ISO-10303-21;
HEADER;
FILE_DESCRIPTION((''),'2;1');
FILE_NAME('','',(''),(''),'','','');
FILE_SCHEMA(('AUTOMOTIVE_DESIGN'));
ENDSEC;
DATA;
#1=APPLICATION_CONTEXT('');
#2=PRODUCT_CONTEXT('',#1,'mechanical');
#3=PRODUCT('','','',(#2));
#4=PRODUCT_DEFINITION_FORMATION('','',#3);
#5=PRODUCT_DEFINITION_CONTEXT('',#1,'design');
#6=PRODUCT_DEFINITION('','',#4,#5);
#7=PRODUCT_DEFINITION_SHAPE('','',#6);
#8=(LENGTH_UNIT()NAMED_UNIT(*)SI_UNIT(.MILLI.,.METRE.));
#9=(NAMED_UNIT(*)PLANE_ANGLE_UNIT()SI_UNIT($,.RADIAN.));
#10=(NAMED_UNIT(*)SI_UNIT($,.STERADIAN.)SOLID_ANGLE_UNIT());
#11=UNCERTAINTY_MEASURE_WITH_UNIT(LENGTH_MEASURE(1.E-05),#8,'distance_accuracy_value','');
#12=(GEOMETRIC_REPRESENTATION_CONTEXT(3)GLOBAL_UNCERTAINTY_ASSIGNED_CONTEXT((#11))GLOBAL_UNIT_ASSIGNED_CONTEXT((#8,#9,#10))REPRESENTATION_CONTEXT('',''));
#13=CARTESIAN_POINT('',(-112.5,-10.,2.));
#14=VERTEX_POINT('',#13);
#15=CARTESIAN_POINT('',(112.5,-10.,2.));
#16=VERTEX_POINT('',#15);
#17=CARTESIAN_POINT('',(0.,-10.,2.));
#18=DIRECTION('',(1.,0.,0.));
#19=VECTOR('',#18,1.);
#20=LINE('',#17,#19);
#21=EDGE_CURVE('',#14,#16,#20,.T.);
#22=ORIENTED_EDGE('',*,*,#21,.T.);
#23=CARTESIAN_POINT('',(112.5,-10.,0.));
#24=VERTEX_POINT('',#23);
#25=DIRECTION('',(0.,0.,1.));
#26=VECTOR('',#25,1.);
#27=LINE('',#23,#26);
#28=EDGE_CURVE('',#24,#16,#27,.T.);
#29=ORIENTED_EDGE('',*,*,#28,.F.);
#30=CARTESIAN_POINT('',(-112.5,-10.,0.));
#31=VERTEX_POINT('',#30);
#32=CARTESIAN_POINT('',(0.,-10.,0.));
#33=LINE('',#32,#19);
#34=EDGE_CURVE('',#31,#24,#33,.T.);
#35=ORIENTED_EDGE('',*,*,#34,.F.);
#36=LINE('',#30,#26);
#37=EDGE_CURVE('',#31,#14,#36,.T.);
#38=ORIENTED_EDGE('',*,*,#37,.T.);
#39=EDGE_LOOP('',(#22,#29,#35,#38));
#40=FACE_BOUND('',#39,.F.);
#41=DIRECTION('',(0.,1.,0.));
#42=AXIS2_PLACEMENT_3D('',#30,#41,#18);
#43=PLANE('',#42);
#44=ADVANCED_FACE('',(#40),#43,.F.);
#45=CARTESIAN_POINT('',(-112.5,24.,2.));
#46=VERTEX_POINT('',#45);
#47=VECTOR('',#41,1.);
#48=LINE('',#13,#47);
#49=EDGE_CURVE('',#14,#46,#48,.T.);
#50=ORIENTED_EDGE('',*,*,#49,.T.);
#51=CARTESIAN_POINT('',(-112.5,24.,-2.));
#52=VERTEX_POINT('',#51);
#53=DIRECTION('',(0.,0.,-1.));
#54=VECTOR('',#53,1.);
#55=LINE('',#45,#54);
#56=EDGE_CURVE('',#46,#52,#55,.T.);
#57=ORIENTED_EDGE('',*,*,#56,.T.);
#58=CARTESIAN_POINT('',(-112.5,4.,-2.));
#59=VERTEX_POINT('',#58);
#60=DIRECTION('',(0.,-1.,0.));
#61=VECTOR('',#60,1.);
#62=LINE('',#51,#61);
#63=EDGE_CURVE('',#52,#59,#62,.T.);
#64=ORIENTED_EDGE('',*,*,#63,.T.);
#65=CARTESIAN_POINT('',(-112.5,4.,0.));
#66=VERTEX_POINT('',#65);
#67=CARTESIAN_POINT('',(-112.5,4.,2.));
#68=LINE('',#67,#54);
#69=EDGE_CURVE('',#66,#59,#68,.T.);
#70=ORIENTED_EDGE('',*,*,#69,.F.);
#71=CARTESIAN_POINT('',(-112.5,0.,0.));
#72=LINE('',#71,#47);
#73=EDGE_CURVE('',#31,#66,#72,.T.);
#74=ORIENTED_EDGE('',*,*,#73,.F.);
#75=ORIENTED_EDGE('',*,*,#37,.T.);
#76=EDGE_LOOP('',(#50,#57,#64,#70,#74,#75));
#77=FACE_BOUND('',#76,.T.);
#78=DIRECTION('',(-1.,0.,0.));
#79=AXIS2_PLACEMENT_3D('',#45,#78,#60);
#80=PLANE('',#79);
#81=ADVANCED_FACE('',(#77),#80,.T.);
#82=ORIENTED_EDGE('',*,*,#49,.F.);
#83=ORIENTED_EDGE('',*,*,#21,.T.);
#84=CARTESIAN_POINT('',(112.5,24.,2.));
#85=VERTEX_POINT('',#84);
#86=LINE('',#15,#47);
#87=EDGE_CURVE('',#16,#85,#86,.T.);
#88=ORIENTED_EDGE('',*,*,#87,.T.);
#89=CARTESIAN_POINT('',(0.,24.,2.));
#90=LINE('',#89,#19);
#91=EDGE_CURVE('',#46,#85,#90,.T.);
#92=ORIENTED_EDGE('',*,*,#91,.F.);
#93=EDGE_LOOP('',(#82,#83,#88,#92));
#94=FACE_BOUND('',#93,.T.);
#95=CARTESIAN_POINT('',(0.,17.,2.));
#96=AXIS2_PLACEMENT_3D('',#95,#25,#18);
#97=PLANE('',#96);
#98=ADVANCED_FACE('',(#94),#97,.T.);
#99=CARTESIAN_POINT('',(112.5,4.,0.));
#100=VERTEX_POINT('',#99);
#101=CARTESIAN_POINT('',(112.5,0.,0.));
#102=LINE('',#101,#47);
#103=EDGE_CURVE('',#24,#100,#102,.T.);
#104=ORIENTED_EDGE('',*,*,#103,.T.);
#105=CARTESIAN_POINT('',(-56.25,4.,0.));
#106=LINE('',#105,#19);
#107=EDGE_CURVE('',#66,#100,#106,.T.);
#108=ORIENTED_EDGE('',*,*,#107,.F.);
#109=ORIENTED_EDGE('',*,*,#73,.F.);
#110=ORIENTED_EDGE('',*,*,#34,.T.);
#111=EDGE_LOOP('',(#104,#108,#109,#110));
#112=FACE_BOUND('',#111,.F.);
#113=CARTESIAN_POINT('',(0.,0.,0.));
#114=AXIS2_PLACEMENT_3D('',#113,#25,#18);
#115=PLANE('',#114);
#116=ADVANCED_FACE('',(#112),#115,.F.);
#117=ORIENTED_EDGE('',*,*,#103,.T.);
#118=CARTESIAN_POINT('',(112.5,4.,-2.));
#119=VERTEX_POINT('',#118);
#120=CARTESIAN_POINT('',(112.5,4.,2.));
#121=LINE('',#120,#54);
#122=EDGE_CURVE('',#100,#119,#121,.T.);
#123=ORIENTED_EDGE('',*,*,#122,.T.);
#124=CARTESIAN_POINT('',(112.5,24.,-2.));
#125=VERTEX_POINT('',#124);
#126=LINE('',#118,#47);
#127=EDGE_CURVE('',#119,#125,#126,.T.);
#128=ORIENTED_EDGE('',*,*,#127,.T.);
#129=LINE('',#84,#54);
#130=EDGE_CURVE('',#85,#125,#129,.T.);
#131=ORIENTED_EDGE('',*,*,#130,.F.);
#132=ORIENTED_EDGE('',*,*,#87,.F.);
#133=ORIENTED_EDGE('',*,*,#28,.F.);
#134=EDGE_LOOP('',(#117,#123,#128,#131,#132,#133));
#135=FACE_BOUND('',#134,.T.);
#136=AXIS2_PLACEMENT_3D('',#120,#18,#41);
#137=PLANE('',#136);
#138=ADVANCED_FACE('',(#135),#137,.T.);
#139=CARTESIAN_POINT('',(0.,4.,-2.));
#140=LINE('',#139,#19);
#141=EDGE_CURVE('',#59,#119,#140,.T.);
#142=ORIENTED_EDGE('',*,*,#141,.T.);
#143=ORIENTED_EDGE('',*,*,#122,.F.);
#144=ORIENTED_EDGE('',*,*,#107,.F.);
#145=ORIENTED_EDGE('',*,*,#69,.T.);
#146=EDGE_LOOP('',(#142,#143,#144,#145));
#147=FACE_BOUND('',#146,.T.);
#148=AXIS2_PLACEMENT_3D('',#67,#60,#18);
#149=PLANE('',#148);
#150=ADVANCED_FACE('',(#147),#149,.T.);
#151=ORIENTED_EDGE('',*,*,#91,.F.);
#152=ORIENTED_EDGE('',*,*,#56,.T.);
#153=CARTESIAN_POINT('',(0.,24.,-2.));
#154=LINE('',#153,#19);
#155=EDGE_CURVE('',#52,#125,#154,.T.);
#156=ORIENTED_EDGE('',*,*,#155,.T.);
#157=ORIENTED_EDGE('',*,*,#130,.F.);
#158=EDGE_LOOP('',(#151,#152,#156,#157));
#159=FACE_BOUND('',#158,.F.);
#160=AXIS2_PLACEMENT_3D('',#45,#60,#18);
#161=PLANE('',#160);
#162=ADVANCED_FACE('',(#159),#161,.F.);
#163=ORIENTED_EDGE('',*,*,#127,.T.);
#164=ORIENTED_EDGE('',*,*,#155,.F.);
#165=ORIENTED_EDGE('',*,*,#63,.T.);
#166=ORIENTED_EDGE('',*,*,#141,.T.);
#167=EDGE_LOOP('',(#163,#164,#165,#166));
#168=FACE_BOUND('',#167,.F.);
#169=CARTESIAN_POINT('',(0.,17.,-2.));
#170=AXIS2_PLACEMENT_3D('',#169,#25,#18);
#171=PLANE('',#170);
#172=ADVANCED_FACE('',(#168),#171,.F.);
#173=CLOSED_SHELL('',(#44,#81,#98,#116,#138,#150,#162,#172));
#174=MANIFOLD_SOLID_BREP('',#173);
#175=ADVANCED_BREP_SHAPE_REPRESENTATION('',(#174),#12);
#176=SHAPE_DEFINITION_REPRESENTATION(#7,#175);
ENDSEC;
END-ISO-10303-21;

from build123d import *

# Parameters (mm, degrees)
F0_W     = 225
F0_H     = 20
F1_DEPTH = 2
F2_W     = 225
F2_H     = 14
F2_H_2   = 6
F3_DEPTH = 4


with BuildPart() as f1:
    # F0 (on Top) → F1 (new body)
    with BuildSketch(Plane.XY):
        Rectangle(F0_W, F0_H)
    extrude(amount=F1_DEPTH)

    # F2 (on face) → F3 (join)
    with BuildSketch(Plane.XY.offset(2)):
        with Locations((0, 17)):
            Rectangle(F2_W, F2_H)
        with Locations((0, 7)):
            Rectangle(F2_W, F2_H_2)
    extrude(amount=-F3_DEPTH)


solid = f1.part
